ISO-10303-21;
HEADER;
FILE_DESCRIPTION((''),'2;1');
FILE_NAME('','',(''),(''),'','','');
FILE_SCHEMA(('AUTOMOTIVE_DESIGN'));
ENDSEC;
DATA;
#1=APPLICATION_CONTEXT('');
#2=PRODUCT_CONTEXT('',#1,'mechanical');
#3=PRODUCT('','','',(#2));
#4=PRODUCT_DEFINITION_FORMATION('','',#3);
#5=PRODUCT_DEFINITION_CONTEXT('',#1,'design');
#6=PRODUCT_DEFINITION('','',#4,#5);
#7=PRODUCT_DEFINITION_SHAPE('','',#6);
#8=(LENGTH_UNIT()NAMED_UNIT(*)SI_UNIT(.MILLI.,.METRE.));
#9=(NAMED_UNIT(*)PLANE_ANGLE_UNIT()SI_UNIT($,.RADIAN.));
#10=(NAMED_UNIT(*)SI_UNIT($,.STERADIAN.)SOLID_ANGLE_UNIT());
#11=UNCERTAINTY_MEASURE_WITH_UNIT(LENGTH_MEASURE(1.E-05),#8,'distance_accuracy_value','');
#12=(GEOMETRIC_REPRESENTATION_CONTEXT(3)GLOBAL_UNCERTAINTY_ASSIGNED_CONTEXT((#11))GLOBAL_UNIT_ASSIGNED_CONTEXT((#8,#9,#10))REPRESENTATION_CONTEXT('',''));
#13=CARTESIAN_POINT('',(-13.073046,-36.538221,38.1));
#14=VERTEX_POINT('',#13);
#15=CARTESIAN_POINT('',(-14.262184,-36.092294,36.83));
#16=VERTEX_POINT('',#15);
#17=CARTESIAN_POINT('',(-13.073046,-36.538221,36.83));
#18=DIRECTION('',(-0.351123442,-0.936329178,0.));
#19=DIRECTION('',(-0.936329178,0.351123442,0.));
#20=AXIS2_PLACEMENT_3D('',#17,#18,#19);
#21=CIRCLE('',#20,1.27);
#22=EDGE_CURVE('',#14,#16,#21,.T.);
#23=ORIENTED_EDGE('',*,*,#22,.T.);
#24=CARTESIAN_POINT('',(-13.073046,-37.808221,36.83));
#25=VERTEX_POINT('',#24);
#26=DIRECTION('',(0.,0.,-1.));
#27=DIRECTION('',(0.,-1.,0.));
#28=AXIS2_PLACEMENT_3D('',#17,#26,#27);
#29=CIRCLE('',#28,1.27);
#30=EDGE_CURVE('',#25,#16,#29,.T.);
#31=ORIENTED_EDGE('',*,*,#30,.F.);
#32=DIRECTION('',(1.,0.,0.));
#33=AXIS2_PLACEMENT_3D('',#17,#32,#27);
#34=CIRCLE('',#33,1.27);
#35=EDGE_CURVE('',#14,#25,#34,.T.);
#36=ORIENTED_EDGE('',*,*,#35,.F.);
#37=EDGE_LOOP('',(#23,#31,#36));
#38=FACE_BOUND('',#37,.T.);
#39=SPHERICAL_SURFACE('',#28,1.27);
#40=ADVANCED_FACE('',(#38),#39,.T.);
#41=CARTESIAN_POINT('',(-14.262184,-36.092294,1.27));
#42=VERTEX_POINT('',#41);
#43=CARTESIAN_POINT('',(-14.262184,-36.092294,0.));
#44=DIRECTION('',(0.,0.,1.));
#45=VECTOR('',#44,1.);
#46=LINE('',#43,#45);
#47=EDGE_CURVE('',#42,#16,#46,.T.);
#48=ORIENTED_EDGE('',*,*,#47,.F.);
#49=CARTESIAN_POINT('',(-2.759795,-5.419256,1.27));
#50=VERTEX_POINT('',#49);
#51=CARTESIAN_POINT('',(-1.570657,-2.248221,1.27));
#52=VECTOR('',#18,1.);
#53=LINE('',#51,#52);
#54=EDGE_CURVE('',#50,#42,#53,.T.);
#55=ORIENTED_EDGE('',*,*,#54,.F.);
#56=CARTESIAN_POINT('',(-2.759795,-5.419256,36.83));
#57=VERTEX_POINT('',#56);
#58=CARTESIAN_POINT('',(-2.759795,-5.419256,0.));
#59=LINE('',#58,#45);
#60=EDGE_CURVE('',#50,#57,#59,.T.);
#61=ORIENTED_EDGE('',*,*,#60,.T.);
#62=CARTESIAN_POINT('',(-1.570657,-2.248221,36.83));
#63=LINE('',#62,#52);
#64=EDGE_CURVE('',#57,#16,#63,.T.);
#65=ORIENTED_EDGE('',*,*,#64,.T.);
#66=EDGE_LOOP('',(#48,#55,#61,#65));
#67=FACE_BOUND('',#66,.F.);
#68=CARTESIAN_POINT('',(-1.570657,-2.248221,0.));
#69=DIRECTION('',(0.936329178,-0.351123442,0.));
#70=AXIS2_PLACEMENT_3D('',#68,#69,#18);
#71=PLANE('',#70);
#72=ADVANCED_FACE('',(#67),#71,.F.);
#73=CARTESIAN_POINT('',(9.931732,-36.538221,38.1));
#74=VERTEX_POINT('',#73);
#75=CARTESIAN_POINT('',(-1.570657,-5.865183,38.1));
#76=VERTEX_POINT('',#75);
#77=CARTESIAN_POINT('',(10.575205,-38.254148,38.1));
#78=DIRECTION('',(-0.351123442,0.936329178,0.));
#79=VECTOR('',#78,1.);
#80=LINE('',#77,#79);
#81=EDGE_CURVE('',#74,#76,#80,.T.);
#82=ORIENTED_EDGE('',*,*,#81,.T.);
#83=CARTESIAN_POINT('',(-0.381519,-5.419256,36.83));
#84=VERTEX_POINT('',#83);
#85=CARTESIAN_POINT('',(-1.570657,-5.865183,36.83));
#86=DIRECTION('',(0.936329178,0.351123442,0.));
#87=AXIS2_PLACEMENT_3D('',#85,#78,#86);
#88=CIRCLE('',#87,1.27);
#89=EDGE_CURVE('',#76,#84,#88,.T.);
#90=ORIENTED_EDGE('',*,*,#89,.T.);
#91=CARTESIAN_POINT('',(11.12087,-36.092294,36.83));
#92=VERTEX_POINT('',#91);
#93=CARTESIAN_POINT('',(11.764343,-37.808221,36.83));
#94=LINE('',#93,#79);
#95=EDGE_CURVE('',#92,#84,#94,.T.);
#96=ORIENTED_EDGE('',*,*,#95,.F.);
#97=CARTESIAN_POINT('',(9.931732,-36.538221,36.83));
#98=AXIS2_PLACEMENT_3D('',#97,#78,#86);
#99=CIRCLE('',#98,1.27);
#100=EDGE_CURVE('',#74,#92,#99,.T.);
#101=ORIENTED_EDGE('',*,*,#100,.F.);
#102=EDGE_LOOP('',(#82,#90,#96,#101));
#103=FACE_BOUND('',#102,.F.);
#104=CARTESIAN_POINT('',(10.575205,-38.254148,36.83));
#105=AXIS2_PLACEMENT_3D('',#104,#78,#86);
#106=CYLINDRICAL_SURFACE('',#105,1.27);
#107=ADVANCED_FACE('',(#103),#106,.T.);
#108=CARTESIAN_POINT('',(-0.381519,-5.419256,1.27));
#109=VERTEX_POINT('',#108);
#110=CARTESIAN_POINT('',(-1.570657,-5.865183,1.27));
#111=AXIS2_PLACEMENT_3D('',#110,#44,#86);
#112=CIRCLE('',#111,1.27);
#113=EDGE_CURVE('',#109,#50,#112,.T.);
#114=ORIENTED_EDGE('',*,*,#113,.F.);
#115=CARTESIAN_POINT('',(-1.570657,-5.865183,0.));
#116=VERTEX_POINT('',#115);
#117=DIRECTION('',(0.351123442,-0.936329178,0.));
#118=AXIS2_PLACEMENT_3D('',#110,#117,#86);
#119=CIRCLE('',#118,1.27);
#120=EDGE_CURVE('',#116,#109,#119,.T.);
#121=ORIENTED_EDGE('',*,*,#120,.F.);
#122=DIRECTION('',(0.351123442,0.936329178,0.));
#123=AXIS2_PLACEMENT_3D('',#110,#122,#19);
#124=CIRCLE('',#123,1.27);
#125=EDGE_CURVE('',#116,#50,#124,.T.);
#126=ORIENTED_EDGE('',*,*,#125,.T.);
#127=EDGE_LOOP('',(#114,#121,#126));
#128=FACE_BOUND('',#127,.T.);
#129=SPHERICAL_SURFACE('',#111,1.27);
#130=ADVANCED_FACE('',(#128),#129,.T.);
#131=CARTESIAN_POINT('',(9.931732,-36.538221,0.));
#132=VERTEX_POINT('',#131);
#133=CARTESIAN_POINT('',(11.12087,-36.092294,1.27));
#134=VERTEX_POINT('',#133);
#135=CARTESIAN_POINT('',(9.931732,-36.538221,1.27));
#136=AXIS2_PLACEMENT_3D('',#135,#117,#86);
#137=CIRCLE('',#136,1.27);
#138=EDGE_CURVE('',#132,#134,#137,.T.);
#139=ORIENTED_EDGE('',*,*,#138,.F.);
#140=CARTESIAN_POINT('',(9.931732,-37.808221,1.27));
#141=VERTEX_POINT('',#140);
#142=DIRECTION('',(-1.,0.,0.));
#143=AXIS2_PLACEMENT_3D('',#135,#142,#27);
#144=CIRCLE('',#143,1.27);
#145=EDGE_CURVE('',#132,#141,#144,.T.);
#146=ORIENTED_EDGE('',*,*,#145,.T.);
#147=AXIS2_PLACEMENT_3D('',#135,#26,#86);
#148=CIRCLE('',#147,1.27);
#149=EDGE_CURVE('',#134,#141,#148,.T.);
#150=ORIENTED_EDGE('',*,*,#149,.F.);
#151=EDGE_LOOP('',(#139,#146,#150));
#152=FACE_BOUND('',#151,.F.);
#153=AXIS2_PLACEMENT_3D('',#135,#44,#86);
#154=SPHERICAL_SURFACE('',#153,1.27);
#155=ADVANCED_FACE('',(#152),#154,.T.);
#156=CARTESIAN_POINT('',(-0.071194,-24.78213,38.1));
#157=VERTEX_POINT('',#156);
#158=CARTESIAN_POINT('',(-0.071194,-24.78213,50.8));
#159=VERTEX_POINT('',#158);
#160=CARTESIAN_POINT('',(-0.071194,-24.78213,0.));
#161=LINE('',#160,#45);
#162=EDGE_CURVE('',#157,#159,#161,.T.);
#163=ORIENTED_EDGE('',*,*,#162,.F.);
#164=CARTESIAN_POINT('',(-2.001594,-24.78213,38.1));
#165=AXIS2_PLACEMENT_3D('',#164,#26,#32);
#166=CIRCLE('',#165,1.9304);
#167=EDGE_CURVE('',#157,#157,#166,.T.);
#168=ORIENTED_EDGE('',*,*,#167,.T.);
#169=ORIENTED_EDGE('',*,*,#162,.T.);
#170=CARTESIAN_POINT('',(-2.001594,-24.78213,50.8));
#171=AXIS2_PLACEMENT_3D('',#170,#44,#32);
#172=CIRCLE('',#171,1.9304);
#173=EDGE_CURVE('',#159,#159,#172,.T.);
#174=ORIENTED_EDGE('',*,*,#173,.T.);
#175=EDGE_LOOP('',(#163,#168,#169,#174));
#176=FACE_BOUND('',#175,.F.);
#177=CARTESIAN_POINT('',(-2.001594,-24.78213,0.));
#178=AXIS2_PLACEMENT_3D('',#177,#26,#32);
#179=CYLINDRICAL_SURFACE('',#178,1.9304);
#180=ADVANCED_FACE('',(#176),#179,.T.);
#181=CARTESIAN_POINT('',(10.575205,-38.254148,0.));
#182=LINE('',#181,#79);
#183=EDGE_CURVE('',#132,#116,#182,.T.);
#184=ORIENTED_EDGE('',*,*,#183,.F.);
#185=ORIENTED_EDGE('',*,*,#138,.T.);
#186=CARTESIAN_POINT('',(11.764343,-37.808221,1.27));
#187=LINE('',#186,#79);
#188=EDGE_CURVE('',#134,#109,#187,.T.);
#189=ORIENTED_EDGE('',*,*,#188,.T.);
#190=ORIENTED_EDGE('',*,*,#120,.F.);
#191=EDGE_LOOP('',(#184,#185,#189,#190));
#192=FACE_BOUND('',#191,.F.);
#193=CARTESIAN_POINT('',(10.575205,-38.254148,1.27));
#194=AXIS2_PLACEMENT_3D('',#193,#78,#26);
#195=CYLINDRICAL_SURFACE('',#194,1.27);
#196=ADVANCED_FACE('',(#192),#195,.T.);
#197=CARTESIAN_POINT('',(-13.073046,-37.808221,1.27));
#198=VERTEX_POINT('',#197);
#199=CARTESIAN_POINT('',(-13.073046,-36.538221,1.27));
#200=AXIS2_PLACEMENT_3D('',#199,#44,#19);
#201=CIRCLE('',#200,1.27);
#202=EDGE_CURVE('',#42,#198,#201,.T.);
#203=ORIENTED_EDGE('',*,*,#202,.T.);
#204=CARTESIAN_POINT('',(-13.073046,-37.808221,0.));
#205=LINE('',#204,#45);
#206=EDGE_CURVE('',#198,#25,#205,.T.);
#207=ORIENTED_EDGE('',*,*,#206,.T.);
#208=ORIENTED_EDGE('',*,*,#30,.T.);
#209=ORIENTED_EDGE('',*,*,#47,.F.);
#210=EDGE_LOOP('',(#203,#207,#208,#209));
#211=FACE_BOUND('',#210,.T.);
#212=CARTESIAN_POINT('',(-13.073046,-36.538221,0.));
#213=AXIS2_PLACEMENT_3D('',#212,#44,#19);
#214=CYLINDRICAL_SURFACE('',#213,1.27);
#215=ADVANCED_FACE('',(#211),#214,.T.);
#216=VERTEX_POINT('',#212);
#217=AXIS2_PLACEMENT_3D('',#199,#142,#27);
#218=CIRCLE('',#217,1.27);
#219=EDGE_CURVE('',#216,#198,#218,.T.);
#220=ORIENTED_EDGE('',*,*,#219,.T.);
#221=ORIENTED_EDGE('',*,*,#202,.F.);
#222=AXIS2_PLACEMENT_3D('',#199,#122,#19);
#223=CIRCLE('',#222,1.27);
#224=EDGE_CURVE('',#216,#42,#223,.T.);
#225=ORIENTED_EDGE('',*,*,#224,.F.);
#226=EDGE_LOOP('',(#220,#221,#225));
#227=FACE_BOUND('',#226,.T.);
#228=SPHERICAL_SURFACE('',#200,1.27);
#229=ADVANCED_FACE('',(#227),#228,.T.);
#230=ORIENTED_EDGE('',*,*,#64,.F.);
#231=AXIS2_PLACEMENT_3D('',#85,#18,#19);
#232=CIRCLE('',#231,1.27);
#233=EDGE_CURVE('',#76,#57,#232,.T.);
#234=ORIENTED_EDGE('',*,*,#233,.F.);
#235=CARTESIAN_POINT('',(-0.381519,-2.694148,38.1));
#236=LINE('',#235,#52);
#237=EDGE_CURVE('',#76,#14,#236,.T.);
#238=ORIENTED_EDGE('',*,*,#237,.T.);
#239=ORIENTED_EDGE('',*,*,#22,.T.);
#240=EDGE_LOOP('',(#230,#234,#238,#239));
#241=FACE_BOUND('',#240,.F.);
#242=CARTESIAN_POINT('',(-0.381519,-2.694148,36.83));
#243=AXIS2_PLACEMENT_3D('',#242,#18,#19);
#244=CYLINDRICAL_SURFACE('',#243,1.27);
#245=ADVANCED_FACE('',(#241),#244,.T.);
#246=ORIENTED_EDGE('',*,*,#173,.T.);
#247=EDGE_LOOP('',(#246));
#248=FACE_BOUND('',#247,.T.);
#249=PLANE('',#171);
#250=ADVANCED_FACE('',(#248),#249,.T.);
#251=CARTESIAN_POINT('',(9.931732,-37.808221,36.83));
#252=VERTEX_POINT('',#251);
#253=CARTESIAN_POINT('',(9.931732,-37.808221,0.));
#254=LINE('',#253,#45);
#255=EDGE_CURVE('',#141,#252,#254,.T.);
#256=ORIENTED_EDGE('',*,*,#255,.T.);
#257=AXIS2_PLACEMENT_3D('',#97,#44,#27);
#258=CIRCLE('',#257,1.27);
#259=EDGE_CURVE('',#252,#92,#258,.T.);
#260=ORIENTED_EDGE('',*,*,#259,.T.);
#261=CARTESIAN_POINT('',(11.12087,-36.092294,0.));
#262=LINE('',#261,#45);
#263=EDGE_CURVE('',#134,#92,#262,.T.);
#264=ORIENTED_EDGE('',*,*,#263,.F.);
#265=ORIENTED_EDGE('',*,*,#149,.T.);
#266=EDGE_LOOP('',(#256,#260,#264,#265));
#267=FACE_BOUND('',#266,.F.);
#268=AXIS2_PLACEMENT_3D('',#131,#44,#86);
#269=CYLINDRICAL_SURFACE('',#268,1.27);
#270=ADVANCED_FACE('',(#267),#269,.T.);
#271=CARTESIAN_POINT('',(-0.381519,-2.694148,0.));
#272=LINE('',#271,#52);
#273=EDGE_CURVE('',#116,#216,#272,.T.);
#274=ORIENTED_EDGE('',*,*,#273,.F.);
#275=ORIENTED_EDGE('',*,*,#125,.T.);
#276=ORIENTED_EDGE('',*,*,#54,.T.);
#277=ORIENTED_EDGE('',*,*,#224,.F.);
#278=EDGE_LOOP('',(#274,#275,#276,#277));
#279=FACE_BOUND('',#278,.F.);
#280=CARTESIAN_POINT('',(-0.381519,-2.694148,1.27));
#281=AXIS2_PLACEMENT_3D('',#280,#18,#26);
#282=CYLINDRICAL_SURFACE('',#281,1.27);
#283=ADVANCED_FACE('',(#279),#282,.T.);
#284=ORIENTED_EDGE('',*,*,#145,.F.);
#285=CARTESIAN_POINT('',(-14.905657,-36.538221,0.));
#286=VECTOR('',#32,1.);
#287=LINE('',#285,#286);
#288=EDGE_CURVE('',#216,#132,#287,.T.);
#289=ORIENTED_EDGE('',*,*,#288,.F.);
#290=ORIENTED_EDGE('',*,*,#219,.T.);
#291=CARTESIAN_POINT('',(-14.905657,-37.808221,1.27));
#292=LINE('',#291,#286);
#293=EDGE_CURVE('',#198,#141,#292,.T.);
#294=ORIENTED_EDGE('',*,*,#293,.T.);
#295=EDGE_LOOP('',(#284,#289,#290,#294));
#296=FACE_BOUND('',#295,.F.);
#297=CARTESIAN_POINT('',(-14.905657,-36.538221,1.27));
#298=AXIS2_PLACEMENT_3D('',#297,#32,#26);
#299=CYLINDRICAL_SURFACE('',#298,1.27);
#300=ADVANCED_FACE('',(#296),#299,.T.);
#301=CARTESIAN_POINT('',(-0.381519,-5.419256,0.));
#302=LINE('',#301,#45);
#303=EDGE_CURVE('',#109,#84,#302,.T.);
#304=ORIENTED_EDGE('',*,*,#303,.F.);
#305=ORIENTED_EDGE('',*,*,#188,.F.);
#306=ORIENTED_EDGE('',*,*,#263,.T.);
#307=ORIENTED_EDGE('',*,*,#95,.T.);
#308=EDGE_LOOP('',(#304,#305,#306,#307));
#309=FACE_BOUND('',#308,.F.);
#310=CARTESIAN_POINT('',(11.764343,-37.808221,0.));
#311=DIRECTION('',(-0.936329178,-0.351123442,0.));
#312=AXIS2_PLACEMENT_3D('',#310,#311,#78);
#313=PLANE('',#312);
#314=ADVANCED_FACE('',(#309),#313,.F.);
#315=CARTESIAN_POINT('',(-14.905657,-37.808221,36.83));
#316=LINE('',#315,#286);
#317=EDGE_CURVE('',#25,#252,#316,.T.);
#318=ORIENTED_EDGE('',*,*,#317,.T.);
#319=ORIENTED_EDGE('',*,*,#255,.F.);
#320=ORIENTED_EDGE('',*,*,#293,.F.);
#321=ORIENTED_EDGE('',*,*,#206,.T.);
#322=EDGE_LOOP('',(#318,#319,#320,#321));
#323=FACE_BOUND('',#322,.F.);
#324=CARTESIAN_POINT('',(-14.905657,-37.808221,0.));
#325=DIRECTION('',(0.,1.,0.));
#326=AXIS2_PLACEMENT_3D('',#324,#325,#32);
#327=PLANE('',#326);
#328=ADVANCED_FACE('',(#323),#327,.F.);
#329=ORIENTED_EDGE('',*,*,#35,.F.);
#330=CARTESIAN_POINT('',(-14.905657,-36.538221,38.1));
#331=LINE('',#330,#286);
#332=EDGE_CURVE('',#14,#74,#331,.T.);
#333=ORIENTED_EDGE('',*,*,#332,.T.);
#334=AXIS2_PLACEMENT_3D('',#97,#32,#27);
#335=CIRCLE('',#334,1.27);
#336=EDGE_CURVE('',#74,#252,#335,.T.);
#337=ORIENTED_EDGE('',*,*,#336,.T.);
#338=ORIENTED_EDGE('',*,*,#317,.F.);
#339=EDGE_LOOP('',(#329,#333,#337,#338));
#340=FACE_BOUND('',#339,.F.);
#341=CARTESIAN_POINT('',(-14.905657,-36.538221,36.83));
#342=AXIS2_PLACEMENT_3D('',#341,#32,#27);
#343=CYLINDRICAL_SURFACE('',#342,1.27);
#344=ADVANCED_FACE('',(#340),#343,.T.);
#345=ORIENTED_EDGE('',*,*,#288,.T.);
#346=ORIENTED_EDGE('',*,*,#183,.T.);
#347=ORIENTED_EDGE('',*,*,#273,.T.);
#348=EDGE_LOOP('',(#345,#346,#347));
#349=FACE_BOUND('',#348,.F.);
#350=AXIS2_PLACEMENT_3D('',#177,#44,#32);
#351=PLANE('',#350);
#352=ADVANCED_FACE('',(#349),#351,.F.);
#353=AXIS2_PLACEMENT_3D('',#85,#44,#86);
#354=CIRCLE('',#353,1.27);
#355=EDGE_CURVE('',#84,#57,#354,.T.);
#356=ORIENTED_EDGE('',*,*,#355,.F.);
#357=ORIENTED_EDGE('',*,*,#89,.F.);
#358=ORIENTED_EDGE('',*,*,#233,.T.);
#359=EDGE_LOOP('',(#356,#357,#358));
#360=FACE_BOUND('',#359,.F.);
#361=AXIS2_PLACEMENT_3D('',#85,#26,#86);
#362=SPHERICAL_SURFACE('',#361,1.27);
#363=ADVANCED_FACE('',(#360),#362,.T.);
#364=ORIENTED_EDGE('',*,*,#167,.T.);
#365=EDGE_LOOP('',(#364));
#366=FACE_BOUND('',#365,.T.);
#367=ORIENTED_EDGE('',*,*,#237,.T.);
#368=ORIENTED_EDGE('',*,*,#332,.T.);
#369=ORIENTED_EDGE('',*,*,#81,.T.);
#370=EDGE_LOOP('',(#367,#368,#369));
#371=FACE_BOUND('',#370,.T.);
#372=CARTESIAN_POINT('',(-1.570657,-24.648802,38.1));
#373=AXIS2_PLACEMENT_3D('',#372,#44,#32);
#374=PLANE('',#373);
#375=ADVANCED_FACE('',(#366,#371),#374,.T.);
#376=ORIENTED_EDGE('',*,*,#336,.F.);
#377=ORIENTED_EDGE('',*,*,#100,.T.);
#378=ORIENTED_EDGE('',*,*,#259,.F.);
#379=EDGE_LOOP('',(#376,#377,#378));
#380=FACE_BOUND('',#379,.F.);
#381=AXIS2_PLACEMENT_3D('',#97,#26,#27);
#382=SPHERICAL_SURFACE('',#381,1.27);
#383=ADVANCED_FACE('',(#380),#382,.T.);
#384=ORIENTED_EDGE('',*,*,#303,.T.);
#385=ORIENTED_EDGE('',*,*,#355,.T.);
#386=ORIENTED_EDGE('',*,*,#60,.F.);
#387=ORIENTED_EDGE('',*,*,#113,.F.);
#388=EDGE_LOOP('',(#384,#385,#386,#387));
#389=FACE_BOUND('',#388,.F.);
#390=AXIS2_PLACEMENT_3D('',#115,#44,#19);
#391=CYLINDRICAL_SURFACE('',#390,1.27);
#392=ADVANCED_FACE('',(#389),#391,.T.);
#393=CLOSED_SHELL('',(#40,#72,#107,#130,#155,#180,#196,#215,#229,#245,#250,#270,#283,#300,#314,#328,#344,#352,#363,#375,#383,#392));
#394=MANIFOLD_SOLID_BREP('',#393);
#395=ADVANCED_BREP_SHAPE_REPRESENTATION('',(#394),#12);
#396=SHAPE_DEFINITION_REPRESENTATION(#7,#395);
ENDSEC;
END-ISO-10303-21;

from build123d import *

# Parameters (mm, degrees)
F1_DEPTH = 38.1
F2_R     = 1.9304
F3_DEPTH = 50.8
F4_R     = 1.27


with BuildPart() as f1:
    # F0 (on Top) → F1 (new body)
    with BuildSketch(Plane.XY):
        Polygon((-1.570657, -2.248221), (-14.905657, -37.808221), (11.764343, -37.808221), align=None)
    extrude(amount=F1_DEPTH)

    # F2 (on Top) → F3 (join)
    with BuildSketch(Plane.XY):
        with Locations((-2.001594, -24.78213)):
            Circle(F2_R)
    extrude(amount=F3_DEPTH)

    # F4
    f4_edges = [f1.edges().sort_by_distance(p)[0] for p in [
        (-1.570657, -2.248221, 19.05),
        (11.764343, -37.808221, 19.05),
        (-14.905657, -37.808221, 19.05),
        (-1.570657, -37.808221, 38.1),
        (5.096843, -20.028221, 38.1),
        (-8.238157, -20.028221, 38.1),
        (5.096843, -20.028221, 0),
        (-8.238157, -20.028221, 0),
        (-1.570657, -37.808221, 0),
    ]]
    fillet(f4_edges, radius=F4_R)


solid = f1.part
